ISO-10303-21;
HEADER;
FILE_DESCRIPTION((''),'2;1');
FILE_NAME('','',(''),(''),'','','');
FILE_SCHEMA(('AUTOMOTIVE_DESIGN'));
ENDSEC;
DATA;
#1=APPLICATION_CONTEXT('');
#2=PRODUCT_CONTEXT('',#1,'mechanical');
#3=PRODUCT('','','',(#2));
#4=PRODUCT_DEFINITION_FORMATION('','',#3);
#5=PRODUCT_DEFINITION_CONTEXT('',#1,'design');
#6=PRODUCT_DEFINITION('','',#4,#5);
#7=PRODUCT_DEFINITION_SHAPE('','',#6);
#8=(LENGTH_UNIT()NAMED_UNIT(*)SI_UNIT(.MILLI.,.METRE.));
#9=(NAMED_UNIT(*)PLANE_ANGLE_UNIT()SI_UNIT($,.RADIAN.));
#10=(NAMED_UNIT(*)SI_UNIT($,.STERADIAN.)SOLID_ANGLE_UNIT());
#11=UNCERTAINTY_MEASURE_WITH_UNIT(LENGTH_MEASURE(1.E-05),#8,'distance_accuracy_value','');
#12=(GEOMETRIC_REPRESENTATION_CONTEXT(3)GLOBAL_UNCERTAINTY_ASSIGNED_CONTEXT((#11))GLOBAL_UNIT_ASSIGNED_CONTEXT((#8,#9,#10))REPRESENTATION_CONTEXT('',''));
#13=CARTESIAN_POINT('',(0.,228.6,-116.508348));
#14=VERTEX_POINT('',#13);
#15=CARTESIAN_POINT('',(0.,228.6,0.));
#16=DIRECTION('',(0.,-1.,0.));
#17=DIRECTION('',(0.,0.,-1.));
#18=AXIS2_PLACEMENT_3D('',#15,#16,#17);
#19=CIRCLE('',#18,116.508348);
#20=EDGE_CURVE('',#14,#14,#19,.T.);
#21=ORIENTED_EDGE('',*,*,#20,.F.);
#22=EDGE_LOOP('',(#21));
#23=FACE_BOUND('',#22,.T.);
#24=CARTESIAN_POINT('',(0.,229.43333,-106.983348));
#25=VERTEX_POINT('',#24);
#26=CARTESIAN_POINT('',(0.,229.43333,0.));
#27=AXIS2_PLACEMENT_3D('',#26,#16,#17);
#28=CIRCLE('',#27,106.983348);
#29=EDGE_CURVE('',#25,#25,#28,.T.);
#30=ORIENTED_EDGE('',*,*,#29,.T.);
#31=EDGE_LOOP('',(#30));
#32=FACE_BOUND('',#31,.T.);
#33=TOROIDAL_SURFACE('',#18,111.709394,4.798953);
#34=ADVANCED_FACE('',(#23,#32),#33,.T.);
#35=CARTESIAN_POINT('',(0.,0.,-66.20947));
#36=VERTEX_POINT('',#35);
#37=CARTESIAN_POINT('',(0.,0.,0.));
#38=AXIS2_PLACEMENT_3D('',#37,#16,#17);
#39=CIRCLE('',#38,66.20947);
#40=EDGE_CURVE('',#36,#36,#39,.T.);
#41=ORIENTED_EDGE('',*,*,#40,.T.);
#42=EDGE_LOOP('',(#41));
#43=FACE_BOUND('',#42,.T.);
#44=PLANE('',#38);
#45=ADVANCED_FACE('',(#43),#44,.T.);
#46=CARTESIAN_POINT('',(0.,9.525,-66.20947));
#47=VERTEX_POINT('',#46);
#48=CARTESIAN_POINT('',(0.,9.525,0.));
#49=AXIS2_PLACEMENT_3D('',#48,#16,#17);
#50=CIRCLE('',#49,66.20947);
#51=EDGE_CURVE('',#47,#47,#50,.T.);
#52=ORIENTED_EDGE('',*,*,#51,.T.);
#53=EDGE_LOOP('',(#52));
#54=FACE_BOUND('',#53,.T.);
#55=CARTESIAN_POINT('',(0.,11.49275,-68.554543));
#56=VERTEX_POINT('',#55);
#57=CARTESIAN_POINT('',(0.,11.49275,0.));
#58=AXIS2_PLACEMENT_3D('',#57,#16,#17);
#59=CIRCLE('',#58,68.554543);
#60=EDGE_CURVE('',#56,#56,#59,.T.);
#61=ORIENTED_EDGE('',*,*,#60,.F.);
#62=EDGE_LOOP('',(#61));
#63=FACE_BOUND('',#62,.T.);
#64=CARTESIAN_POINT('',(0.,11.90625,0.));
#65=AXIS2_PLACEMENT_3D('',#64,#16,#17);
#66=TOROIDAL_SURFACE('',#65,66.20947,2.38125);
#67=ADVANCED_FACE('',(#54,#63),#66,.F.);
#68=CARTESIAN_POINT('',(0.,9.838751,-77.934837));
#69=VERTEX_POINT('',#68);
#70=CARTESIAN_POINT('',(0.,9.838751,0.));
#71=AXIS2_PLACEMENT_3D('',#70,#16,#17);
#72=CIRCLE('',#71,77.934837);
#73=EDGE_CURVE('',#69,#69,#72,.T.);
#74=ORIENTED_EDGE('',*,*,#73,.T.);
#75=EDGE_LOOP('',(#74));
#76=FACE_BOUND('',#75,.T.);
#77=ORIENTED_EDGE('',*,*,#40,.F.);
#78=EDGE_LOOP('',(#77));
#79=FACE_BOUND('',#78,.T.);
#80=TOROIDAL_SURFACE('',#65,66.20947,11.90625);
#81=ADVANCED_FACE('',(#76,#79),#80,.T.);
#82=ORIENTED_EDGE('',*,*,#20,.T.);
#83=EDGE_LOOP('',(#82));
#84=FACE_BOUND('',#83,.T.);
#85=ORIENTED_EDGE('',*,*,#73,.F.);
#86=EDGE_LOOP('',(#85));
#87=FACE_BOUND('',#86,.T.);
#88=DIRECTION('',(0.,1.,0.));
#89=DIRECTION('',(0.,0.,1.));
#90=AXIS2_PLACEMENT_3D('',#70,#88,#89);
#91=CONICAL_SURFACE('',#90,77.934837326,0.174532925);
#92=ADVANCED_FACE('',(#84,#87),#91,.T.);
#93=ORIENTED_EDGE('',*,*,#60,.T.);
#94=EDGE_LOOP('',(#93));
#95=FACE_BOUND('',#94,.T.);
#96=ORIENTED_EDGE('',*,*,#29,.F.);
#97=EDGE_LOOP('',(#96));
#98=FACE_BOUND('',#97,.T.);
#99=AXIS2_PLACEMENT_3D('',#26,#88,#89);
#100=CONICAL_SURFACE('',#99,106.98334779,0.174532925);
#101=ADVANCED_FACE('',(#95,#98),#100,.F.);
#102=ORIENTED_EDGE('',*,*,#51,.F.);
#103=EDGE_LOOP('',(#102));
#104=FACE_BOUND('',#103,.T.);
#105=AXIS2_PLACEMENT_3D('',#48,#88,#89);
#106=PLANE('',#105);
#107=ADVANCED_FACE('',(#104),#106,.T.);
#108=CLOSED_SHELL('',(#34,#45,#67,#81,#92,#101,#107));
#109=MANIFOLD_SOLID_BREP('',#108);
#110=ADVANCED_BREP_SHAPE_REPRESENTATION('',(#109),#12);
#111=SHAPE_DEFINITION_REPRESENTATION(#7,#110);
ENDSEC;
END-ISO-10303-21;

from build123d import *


with BuildPart() as part:
    # Sketch1 → Revolve1 (revolve)
    with BuildSketch(Plane.XY):
        with BuildLine():
            Line((0, 0), (66.209470016, 0))
            ThreePointArc((66.209470016, 0), (73.862659994, 2.785533349), (77.934837326, 9.838751385))
            Line((77.934837326, 9.838751385), (116.50834779, 228.6))
            ThreePointArc((116.50834779, 228.6), (112.127650699, 233.380691976), (106.98334779, 229.43332952))
            Line((106.98334779, 229.43332952), (68.554543478, 11.492750277))
            ThreePointArc((68.554543478, 11.492750277), (67.740108012, 10.08210667), (66.209470016, 9.525))
            Line((66.209470016, 9.525), (0, 9.525))
            Line((0, 9.525), (0, 0))
        make_face()
    revolve(axis=Axis((0, 0, 0), (0, 1, 0)))


solid = part.part
